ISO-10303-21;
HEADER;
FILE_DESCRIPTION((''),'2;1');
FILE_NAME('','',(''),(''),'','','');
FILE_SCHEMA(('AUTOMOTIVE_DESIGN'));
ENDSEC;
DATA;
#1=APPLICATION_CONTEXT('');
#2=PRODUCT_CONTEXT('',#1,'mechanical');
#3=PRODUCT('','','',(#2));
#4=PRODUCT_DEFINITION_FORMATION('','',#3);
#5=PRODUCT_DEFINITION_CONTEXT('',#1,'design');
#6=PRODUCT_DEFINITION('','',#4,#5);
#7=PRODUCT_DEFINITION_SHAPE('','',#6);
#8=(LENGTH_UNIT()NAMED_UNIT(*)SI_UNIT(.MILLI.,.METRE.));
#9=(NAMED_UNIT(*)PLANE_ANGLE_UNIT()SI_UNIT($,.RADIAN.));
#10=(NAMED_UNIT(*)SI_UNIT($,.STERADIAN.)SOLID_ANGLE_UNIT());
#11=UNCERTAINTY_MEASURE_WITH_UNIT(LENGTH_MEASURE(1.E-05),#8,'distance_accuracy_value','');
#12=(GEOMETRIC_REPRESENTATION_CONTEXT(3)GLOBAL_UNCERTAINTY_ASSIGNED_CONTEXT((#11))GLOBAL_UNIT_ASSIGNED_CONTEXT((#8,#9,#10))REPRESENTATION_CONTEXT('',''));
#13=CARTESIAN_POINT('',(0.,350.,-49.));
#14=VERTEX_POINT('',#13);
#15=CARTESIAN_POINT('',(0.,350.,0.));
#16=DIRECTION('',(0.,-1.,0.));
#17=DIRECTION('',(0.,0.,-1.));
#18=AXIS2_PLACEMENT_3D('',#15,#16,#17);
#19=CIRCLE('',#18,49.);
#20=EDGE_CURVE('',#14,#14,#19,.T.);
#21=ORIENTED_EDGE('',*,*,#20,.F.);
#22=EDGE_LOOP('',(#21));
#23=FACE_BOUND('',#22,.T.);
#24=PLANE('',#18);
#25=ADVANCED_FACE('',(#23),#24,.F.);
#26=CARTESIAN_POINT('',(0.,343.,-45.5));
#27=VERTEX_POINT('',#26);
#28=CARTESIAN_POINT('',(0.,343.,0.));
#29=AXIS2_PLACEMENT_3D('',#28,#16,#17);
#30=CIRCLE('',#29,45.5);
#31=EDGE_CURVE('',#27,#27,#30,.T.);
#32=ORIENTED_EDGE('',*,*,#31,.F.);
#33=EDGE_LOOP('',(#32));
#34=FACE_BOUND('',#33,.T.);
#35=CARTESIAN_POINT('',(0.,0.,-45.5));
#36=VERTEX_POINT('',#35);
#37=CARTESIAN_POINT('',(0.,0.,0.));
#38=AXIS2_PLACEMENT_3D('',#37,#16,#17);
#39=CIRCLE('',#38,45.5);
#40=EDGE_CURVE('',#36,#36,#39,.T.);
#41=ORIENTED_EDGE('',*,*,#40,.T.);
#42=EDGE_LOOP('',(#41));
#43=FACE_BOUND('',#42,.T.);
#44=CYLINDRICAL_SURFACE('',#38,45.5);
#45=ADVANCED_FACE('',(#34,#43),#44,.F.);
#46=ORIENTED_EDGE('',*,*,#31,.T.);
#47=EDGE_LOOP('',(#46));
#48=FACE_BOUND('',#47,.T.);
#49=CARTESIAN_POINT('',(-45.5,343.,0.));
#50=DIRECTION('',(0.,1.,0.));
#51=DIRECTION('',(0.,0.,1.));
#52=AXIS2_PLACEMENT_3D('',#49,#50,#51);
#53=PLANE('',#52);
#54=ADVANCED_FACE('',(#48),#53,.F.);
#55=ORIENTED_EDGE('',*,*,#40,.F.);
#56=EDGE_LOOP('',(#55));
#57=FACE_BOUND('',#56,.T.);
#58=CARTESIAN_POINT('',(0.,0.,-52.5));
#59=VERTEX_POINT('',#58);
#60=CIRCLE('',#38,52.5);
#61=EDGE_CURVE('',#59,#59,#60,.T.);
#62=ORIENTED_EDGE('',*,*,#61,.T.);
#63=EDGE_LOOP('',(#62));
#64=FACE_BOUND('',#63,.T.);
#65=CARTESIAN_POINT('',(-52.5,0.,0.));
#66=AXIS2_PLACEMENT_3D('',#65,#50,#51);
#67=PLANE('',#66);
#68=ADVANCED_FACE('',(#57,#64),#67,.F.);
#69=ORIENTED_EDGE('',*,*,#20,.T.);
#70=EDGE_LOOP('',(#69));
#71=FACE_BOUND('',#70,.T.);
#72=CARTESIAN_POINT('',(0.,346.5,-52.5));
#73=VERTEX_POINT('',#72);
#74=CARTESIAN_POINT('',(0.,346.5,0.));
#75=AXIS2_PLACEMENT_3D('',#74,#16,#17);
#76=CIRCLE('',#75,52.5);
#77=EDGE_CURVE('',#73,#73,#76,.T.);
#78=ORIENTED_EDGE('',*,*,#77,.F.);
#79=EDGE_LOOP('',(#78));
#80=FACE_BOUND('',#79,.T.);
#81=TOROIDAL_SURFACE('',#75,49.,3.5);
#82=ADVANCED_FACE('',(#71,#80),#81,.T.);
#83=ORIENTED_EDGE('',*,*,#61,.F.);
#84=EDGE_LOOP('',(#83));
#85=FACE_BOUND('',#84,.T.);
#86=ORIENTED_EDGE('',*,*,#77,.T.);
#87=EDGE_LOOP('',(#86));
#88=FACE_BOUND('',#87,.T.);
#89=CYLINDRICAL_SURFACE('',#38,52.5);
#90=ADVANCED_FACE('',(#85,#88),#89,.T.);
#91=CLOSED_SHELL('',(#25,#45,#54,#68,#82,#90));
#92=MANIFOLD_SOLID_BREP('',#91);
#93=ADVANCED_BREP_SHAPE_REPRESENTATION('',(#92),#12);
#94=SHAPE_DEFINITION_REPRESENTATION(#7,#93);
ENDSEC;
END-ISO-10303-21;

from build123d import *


with BuildPart() as part:
    # Croquis1 → Revolución1 (revolve)
    with BuildSketch(Plane.XY):
        with BuildLine():
            Line((0, 350), (-49, 350))
            ThreePointArc((-49, 350), (-51.474873734, 348.974873734), (-52.5, 346.5))
            Line((-52.5, 346.5), (-52.5, 0))
            Line((-52.5, 0), (-45.5, 0))
            Line((-45.5, 0), (-45.5, 343))
            Line((-45.5, 343), (0, 343))
            Line((0, 343), (0, 350))
        make_face()
    revolve(axis=Axis((0, 0, 0), (0, 1, 0)))


solid = part.part
